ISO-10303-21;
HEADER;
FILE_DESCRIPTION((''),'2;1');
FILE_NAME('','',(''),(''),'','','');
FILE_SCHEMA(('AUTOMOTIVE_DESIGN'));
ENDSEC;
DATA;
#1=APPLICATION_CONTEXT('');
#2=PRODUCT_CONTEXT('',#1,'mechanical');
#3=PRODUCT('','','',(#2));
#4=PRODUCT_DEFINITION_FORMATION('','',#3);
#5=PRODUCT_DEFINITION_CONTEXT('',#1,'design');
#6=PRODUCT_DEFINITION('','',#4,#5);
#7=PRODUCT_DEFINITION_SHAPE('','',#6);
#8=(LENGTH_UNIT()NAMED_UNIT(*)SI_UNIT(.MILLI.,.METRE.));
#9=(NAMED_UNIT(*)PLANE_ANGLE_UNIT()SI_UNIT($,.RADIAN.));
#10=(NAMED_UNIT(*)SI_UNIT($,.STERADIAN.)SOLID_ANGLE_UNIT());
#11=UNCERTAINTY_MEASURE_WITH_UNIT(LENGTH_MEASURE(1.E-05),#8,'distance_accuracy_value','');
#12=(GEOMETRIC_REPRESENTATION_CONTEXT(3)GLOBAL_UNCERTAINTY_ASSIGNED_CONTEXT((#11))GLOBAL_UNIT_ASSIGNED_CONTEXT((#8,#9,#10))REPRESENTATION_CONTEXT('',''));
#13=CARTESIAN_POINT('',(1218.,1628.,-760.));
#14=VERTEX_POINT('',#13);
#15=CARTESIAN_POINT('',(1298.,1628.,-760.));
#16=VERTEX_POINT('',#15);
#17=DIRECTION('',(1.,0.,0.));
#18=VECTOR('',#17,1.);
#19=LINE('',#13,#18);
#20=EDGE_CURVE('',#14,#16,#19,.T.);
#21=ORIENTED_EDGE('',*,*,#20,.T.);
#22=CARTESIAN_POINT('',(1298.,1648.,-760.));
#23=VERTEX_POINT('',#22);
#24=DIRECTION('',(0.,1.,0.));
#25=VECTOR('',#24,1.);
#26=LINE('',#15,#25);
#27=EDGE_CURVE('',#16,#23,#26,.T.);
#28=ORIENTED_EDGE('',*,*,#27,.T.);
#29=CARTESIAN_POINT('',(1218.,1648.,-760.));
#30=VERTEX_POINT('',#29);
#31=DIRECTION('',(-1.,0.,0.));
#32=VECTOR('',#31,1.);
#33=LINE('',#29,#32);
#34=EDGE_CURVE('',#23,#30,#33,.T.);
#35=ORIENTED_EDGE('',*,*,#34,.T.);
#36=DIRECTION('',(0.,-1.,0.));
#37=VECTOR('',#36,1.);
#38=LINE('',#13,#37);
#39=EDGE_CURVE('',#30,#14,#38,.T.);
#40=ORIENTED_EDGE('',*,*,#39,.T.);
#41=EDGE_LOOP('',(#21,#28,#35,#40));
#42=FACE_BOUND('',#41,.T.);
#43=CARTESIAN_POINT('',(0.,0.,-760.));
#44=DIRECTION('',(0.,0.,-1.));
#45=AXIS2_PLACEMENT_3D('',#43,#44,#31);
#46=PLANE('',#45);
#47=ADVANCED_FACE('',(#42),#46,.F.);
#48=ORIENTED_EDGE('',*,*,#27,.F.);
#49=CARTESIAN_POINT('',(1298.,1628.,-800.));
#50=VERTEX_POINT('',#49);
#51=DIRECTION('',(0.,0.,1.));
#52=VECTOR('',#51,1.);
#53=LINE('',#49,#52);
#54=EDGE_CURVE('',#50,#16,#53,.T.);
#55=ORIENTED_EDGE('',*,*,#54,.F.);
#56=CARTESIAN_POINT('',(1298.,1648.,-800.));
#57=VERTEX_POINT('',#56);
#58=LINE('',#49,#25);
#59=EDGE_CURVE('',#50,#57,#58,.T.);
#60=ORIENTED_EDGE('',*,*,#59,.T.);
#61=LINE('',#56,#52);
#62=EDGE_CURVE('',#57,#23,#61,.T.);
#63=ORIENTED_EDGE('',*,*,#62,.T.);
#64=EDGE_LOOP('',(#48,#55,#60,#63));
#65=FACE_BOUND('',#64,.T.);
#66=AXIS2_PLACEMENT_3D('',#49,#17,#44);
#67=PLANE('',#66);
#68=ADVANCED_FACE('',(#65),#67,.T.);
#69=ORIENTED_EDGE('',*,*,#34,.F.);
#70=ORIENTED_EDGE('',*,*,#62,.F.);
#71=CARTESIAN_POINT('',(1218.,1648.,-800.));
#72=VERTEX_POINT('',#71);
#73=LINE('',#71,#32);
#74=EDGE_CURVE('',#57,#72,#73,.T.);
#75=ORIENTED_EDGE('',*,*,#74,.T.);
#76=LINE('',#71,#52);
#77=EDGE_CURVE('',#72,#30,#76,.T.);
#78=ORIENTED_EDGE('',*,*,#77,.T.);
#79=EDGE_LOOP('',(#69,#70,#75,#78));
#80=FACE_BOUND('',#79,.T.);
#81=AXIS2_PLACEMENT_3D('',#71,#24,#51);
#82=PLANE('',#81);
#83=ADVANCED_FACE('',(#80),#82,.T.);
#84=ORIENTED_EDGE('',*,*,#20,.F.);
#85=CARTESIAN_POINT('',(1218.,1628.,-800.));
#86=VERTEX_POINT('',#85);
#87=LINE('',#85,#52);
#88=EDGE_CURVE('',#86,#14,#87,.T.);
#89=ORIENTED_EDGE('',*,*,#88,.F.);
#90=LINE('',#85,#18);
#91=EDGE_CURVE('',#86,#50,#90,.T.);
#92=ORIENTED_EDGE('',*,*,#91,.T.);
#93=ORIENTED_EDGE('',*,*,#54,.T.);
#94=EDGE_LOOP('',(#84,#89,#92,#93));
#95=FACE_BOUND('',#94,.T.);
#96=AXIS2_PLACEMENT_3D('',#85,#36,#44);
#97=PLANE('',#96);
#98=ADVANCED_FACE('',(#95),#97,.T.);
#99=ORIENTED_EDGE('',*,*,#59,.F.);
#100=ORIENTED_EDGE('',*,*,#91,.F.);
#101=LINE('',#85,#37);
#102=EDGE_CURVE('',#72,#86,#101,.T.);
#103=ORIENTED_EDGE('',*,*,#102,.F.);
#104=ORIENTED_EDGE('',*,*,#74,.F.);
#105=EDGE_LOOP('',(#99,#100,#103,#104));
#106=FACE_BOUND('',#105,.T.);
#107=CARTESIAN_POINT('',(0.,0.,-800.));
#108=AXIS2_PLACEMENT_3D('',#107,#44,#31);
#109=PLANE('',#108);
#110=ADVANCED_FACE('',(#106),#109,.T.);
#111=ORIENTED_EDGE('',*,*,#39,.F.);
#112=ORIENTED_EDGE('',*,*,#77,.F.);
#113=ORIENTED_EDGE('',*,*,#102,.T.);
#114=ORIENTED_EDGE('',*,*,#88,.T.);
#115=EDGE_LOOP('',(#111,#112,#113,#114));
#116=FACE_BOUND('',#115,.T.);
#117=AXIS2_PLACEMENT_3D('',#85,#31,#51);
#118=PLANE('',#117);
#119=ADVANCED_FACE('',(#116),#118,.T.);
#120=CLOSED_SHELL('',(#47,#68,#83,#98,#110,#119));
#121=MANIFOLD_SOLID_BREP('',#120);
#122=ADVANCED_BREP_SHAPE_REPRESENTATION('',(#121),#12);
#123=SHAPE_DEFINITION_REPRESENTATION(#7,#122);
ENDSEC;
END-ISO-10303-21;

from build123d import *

# Parameters (mm, degrees)
DET2_KLEMENS_KUTUSU_DILIMI_1_START = -760
SKETCH1_W                          = 80
SKETCH1_H                          = 20
DET2_KLEMENS_KUTUSU_DILIMI_1_DEPTH = 40


with BuildPart() as part:
    # Sketch1 → DET2_klemens_kutusu_dilimi_1 (new body)
    with BuildSketch(Plane.XY.offset(DET2_KLEMENS_KUTUSU_DILIMI_1_START)):
        with Locations((1258, 1638)):
            Rectangle(SKETCH1_W, SKETCH1_H)
    extrude(amount=-DET2_KLEMENS_KUTUSU_DILIMI_1_DEPTH)


solid = part.part
